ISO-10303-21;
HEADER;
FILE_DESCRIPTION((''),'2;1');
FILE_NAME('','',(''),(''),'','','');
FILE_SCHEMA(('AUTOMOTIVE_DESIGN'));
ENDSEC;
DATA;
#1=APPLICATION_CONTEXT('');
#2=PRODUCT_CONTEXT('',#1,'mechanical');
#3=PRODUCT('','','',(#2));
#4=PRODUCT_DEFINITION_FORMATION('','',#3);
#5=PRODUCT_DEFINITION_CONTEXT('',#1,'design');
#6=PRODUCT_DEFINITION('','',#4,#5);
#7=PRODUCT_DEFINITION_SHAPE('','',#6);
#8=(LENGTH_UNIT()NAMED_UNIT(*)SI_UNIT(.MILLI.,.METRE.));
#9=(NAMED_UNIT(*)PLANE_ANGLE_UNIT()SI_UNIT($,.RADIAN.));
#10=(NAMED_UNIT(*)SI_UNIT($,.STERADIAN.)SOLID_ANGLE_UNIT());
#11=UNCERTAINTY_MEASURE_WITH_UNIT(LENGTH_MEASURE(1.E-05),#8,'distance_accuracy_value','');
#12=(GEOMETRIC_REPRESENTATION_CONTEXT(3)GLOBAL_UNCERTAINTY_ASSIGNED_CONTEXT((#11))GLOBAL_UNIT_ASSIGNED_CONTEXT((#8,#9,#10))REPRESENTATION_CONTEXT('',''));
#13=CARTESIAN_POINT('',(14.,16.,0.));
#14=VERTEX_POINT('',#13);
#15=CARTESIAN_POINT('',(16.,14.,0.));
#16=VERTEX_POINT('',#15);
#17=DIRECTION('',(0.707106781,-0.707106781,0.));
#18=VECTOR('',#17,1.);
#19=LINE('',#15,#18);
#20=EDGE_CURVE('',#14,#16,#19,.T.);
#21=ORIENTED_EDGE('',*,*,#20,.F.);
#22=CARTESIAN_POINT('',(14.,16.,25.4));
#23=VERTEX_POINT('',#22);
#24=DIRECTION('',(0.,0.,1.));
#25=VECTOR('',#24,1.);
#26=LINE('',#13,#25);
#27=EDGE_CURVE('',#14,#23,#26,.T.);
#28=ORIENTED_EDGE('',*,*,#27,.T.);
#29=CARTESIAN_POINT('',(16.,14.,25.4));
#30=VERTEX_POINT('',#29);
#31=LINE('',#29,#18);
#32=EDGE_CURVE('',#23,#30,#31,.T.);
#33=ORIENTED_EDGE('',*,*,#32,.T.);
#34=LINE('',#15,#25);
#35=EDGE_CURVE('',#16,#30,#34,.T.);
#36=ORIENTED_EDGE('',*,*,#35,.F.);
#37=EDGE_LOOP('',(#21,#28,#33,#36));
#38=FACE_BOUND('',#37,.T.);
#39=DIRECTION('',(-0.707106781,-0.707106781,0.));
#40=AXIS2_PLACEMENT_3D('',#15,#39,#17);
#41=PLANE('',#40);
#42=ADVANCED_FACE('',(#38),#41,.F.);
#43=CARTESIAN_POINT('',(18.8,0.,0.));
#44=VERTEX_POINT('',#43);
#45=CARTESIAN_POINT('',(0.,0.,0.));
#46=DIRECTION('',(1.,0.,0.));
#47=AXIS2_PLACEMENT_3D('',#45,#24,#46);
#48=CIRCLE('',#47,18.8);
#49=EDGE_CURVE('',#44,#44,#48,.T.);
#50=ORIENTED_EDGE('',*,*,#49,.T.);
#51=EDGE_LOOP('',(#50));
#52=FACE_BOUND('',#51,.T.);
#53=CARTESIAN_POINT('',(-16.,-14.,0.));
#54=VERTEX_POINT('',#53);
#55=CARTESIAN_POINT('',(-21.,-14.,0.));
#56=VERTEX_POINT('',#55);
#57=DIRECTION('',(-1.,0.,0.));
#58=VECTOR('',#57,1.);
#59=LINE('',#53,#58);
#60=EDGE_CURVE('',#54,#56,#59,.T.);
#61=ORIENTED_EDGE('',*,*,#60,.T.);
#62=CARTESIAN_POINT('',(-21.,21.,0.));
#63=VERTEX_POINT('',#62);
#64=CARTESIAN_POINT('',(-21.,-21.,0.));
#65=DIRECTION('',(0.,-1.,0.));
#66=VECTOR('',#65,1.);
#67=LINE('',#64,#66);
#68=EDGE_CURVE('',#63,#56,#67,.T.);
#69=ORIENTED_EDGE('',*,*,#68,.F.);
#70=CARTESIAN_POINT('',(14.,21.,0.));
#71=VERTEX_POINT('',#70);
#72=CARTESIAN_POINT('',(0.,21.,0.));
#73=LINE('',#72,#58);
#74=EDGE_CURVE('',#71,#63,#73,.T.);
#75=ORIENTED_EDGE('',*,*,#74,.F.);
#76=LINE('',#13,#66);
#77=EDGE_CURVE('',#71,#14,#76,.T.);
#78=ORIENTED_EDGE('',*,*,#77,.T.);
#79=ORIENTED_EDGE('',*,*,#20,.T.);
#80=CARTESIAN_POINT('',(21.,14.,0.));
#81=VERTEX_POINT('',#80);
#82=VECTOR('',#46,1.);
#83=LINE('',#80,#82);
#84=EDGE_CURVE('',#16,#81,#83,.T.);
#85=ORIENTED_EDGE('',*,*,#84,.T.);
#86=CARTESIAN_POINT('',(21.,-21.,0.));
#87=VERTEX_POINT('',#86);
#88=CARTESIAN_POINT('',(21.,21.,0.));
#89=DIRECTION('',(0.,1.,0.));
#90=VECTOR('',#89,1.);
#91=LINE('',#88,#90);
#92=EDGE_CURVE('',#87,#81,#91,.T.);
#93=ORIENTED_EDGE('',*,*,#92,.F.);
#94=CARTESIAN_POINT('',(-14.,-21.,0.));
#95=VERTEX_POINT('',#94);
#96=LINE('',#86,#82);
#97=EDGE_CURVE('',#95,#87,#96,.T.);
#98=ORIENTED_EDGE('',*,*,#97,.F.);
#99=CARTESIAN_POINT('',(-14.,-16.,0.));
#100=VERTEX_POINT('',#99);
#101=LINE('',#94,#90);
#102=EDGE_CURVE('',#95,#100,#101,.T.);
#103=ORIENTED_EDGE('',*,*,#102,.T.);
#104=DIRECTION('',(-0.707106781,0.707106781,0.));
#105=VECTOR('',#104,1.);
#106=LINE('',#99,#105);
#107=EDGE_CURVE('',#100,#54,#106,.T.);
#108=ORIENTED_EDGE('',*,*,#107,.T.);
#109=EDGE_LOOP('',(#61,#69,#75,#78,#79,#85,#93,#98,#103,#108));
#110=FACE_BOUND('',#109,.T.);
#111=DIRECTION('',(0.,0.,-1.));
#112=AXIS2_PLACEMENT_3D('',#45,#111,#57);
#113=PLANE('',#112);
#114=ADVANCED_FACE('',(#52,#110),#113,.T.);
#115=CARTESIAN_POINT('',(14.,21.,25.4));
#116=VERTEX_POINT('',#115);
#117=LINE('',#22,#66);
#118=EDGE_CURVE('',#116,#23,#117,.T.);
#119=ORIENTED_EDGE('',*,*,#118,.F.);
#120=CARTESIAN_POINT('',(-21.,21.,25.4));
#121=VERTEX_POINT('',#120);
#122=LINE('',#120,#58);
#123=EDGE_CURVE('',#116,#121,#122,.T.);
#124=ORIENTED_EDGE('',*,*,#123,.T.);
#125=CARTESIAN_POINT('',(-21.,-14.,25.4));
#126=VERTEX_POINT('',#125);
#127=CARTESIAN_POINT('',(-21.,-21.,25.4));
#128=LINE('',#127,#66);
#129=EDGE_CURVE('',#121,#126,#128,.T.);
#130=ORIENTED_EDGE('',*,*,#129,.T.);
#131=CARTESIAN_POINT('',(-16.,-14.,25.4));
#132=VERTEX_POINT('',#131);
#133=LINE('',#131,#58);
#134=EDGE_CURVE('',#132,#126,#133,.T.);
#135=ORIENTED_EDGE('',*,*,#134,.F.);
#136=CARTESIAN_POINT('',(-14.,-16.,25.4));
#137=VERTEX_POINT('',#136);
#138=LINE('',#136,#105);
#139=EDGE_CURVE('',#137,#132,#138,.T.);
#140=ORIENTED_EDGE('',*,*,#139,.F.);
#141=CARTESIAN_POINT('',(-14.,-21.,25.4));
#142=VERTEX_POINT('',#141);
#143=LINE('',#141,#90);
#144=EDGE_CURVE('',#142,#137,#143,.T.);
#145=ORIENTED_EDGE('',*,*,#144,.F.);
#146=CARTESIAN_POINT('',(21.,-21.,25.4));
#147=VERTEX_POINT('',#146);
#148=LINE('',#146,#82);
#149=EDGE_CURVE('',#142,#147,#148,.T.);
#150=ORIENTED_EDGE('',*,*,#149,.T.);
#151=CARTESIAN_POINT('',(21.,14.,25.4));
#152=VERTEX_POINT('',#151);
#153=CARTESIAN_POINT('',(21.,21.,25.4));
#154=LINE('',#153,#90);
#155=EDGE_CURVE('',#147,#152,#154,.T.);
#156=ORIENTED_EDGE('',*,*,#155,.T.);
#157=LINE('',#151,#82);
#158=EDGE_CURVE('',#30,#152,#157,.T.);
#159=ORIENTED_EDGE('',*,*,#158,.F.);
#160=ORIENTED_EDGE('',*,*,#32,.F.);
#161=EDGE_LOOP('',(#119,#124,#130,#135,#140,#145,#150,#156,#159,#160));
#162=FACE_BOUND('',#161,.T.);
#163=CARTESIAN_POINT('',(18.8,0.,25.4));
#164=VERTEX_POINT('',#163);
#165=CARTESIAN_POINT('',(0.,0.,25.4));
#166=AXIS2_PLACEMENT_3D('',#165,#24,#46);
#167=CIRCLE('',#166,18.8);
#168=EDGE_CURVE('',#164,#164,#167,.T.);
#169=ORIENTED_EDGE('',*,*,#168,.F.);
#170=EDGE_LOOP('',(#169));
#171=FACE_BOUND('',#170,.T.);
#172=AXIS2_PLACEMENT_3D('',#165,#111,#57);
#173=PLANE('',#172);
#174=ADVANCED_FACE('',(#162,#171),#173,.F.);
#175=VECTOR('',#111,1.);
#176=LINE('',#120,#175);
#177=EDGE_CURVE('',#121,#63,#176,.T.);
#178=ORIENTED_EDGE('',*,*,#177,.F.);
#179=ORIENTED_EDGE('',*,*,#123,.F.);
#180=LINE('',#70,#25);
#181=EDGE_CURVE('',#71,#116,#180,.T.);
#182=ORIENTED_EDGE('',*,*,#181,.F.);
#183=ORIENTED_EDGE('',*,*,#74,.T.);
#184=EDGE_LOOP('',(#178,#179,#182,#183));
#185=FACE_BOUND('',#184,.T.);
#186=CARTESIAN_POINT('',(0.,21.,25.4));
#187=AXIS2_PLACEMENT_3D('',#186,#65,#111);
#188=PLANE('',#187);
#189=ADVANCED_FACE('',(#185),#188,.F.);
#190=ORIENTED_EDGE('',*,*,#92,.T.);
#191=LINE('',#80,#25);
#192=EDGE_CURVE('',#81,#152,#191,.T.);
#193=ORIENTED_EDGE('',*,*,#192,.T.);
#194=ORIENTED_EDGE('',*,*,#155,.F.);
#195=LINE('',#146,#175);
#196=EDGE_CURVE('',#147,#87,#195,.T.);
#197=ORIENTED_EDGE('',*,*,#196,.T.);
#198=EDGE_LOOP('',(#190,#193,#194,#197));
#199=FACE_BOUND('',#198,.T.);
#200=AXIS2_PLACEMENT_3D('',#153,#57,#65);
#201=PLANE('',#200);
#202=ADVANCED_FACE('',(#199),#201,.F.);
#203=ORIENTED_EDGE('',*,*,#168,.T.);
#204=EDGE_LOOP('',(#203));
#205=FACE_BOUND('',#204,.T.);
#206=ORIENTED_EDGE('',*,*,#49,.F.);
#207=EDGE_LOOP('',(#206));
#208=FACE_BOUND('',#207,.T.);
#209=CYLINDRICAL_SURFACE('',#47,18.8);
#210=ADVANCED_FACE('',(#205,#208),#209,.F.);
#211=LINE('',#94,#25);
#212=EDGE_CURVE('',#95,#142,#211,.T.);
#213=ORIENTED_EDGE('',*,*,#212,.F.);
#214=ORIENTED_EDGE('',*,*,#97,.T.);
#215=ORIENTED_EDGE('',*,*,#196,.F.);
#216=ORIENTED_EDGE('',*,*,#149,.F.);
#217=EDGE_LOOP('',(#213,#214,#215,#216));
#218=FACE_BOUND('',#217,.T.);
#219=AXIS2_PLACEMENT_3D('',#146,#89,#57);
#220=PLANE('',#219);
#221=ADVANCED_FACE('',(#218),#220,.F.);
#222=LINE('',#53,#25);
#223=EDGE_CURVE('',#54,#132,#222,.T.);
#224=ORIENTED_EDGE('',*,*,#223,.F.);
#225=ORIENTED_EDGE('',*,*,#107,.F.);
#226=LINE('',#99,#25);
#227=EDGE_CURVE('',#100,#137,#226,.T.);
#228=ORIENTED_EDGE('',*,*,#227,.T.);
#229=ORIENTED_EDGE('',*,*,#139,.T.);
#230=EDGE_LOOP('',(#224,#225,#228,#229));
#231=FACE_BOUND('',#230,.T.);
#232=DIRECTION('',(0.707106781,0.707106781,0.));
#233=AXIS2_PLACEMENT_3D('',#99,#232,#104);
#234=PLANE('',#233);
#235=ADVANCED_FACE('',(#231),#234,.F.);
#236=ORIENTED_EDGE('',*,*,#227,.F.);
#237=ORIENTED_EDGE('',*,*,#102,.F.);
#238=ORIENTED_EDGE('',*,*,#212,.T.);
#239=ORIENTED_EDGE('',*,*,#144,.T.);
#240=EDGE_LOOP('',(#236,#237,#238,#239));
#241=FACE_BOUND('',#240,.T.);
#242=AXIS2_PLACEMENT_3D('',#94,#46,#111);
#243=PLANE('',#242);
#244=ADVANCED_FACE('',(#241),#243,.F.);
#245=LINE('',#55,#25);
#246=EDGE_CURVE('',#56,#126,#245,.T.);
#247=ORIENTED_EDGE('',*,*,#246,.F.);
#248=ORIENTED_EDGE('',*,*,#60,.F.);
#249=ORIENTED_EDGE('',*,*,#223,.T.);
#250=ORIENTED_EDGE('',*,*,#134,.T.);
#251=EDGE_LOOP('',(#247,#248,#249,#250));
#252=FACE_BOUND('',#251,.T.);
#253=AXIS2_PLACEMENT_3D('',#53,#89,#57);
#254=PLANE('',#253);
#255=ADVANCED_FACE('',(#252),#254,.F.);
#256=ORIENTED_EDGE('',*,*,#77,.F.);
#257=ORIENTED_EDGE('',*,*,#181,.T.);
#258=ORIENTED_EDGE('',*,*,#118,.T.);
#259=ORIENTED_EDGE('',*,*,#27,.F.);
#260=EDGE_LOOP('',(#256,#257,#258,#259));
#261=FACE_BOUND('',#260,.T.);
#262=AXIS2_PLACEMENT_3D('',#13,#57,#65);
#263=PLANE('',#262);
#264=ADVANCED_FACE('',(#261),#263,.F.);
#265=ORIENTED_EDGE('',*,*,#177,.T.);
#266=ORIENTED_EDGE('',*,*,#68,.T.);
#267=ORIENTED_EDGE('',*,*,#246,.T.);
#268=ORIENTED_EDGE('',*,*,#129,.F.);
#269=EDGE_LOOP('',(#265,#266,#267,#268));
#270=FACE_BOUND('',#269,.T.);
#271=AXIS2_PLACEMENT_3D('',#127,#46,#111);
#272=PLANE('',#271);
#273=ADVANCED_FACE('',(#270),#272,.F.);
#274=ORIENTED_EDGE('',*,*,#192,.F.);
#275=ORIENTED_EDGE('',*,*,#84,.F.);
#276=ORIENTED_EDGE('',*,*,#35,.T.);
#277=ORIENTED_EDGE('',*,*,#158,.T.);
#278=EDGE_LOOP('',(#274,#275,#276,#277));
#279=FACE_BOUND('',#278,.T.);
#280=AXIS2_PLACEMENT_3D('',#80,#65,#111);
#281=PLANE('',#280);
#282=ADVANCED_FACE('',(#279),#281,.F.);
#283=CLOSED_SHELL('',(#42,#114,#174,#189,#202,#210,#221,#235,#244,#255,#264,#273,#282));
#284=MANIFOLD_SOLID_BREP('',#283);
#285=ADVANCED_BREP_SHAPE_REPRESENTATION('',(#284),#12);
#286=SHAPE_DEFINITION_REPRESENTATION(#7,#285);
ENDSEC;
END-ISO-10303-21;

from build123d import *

# Parameters (mm, degrees)
BOSS_EXTRUDE1_DEPTH = 25.4
CUT_EXTRUDE1_DEPTH  = 25.4
CUT_EXTRUDE2_DEPTH  = 25.4
SKETCH4_R           = 18.8
CUT_EXTRUDE3_DEPTH  = 25.4


with BuildPart() as part:
    # Sketch1 → Boss-Extrude1 (new body)
    with BuildSketch(Plane.XY):
        Polygon((0, 21), (21, 21), (21, -21), (-21, -21), (-21, 21), align=None)
    extrude(amount=BOSS_EXTRUDE1_DEPTH)

    # Sketch2 → Cut-Extrude1 (cut)
    with BuildSketch(Plane.XY.offset(25.4)):
        Polygon((21, 21), (21, 14), (16, 14), (14, 16), (14, 21), align=None)
    extrude(amount=-CUT_EXTRUDE1_DEPTH, mode=Mode.SUBTRACT)

    # Sketch3 → Cut-Extrude2 (cut)
    with BuildSketch(Plane.XY.offset(25.4)):
        Polygon((-14, -16), (-16, -14), (-21, -14), (-21, -21), (-14, -21), align=None)
    extrude(amount=-CUT_EXTRUDE2_DEPTH, mode=Mode.SUBTRACT)

    # Sketch4 → Cut-Extrude3 (cut)
    with BuildSketch(Plane.XY.offset(25.4)):
        Circle(SKETCH4_R)
    extrude(amount=-CUT_EXTRUDE3_DEPTH, mode=Mode.SUBTRACT)


solid = part.part
